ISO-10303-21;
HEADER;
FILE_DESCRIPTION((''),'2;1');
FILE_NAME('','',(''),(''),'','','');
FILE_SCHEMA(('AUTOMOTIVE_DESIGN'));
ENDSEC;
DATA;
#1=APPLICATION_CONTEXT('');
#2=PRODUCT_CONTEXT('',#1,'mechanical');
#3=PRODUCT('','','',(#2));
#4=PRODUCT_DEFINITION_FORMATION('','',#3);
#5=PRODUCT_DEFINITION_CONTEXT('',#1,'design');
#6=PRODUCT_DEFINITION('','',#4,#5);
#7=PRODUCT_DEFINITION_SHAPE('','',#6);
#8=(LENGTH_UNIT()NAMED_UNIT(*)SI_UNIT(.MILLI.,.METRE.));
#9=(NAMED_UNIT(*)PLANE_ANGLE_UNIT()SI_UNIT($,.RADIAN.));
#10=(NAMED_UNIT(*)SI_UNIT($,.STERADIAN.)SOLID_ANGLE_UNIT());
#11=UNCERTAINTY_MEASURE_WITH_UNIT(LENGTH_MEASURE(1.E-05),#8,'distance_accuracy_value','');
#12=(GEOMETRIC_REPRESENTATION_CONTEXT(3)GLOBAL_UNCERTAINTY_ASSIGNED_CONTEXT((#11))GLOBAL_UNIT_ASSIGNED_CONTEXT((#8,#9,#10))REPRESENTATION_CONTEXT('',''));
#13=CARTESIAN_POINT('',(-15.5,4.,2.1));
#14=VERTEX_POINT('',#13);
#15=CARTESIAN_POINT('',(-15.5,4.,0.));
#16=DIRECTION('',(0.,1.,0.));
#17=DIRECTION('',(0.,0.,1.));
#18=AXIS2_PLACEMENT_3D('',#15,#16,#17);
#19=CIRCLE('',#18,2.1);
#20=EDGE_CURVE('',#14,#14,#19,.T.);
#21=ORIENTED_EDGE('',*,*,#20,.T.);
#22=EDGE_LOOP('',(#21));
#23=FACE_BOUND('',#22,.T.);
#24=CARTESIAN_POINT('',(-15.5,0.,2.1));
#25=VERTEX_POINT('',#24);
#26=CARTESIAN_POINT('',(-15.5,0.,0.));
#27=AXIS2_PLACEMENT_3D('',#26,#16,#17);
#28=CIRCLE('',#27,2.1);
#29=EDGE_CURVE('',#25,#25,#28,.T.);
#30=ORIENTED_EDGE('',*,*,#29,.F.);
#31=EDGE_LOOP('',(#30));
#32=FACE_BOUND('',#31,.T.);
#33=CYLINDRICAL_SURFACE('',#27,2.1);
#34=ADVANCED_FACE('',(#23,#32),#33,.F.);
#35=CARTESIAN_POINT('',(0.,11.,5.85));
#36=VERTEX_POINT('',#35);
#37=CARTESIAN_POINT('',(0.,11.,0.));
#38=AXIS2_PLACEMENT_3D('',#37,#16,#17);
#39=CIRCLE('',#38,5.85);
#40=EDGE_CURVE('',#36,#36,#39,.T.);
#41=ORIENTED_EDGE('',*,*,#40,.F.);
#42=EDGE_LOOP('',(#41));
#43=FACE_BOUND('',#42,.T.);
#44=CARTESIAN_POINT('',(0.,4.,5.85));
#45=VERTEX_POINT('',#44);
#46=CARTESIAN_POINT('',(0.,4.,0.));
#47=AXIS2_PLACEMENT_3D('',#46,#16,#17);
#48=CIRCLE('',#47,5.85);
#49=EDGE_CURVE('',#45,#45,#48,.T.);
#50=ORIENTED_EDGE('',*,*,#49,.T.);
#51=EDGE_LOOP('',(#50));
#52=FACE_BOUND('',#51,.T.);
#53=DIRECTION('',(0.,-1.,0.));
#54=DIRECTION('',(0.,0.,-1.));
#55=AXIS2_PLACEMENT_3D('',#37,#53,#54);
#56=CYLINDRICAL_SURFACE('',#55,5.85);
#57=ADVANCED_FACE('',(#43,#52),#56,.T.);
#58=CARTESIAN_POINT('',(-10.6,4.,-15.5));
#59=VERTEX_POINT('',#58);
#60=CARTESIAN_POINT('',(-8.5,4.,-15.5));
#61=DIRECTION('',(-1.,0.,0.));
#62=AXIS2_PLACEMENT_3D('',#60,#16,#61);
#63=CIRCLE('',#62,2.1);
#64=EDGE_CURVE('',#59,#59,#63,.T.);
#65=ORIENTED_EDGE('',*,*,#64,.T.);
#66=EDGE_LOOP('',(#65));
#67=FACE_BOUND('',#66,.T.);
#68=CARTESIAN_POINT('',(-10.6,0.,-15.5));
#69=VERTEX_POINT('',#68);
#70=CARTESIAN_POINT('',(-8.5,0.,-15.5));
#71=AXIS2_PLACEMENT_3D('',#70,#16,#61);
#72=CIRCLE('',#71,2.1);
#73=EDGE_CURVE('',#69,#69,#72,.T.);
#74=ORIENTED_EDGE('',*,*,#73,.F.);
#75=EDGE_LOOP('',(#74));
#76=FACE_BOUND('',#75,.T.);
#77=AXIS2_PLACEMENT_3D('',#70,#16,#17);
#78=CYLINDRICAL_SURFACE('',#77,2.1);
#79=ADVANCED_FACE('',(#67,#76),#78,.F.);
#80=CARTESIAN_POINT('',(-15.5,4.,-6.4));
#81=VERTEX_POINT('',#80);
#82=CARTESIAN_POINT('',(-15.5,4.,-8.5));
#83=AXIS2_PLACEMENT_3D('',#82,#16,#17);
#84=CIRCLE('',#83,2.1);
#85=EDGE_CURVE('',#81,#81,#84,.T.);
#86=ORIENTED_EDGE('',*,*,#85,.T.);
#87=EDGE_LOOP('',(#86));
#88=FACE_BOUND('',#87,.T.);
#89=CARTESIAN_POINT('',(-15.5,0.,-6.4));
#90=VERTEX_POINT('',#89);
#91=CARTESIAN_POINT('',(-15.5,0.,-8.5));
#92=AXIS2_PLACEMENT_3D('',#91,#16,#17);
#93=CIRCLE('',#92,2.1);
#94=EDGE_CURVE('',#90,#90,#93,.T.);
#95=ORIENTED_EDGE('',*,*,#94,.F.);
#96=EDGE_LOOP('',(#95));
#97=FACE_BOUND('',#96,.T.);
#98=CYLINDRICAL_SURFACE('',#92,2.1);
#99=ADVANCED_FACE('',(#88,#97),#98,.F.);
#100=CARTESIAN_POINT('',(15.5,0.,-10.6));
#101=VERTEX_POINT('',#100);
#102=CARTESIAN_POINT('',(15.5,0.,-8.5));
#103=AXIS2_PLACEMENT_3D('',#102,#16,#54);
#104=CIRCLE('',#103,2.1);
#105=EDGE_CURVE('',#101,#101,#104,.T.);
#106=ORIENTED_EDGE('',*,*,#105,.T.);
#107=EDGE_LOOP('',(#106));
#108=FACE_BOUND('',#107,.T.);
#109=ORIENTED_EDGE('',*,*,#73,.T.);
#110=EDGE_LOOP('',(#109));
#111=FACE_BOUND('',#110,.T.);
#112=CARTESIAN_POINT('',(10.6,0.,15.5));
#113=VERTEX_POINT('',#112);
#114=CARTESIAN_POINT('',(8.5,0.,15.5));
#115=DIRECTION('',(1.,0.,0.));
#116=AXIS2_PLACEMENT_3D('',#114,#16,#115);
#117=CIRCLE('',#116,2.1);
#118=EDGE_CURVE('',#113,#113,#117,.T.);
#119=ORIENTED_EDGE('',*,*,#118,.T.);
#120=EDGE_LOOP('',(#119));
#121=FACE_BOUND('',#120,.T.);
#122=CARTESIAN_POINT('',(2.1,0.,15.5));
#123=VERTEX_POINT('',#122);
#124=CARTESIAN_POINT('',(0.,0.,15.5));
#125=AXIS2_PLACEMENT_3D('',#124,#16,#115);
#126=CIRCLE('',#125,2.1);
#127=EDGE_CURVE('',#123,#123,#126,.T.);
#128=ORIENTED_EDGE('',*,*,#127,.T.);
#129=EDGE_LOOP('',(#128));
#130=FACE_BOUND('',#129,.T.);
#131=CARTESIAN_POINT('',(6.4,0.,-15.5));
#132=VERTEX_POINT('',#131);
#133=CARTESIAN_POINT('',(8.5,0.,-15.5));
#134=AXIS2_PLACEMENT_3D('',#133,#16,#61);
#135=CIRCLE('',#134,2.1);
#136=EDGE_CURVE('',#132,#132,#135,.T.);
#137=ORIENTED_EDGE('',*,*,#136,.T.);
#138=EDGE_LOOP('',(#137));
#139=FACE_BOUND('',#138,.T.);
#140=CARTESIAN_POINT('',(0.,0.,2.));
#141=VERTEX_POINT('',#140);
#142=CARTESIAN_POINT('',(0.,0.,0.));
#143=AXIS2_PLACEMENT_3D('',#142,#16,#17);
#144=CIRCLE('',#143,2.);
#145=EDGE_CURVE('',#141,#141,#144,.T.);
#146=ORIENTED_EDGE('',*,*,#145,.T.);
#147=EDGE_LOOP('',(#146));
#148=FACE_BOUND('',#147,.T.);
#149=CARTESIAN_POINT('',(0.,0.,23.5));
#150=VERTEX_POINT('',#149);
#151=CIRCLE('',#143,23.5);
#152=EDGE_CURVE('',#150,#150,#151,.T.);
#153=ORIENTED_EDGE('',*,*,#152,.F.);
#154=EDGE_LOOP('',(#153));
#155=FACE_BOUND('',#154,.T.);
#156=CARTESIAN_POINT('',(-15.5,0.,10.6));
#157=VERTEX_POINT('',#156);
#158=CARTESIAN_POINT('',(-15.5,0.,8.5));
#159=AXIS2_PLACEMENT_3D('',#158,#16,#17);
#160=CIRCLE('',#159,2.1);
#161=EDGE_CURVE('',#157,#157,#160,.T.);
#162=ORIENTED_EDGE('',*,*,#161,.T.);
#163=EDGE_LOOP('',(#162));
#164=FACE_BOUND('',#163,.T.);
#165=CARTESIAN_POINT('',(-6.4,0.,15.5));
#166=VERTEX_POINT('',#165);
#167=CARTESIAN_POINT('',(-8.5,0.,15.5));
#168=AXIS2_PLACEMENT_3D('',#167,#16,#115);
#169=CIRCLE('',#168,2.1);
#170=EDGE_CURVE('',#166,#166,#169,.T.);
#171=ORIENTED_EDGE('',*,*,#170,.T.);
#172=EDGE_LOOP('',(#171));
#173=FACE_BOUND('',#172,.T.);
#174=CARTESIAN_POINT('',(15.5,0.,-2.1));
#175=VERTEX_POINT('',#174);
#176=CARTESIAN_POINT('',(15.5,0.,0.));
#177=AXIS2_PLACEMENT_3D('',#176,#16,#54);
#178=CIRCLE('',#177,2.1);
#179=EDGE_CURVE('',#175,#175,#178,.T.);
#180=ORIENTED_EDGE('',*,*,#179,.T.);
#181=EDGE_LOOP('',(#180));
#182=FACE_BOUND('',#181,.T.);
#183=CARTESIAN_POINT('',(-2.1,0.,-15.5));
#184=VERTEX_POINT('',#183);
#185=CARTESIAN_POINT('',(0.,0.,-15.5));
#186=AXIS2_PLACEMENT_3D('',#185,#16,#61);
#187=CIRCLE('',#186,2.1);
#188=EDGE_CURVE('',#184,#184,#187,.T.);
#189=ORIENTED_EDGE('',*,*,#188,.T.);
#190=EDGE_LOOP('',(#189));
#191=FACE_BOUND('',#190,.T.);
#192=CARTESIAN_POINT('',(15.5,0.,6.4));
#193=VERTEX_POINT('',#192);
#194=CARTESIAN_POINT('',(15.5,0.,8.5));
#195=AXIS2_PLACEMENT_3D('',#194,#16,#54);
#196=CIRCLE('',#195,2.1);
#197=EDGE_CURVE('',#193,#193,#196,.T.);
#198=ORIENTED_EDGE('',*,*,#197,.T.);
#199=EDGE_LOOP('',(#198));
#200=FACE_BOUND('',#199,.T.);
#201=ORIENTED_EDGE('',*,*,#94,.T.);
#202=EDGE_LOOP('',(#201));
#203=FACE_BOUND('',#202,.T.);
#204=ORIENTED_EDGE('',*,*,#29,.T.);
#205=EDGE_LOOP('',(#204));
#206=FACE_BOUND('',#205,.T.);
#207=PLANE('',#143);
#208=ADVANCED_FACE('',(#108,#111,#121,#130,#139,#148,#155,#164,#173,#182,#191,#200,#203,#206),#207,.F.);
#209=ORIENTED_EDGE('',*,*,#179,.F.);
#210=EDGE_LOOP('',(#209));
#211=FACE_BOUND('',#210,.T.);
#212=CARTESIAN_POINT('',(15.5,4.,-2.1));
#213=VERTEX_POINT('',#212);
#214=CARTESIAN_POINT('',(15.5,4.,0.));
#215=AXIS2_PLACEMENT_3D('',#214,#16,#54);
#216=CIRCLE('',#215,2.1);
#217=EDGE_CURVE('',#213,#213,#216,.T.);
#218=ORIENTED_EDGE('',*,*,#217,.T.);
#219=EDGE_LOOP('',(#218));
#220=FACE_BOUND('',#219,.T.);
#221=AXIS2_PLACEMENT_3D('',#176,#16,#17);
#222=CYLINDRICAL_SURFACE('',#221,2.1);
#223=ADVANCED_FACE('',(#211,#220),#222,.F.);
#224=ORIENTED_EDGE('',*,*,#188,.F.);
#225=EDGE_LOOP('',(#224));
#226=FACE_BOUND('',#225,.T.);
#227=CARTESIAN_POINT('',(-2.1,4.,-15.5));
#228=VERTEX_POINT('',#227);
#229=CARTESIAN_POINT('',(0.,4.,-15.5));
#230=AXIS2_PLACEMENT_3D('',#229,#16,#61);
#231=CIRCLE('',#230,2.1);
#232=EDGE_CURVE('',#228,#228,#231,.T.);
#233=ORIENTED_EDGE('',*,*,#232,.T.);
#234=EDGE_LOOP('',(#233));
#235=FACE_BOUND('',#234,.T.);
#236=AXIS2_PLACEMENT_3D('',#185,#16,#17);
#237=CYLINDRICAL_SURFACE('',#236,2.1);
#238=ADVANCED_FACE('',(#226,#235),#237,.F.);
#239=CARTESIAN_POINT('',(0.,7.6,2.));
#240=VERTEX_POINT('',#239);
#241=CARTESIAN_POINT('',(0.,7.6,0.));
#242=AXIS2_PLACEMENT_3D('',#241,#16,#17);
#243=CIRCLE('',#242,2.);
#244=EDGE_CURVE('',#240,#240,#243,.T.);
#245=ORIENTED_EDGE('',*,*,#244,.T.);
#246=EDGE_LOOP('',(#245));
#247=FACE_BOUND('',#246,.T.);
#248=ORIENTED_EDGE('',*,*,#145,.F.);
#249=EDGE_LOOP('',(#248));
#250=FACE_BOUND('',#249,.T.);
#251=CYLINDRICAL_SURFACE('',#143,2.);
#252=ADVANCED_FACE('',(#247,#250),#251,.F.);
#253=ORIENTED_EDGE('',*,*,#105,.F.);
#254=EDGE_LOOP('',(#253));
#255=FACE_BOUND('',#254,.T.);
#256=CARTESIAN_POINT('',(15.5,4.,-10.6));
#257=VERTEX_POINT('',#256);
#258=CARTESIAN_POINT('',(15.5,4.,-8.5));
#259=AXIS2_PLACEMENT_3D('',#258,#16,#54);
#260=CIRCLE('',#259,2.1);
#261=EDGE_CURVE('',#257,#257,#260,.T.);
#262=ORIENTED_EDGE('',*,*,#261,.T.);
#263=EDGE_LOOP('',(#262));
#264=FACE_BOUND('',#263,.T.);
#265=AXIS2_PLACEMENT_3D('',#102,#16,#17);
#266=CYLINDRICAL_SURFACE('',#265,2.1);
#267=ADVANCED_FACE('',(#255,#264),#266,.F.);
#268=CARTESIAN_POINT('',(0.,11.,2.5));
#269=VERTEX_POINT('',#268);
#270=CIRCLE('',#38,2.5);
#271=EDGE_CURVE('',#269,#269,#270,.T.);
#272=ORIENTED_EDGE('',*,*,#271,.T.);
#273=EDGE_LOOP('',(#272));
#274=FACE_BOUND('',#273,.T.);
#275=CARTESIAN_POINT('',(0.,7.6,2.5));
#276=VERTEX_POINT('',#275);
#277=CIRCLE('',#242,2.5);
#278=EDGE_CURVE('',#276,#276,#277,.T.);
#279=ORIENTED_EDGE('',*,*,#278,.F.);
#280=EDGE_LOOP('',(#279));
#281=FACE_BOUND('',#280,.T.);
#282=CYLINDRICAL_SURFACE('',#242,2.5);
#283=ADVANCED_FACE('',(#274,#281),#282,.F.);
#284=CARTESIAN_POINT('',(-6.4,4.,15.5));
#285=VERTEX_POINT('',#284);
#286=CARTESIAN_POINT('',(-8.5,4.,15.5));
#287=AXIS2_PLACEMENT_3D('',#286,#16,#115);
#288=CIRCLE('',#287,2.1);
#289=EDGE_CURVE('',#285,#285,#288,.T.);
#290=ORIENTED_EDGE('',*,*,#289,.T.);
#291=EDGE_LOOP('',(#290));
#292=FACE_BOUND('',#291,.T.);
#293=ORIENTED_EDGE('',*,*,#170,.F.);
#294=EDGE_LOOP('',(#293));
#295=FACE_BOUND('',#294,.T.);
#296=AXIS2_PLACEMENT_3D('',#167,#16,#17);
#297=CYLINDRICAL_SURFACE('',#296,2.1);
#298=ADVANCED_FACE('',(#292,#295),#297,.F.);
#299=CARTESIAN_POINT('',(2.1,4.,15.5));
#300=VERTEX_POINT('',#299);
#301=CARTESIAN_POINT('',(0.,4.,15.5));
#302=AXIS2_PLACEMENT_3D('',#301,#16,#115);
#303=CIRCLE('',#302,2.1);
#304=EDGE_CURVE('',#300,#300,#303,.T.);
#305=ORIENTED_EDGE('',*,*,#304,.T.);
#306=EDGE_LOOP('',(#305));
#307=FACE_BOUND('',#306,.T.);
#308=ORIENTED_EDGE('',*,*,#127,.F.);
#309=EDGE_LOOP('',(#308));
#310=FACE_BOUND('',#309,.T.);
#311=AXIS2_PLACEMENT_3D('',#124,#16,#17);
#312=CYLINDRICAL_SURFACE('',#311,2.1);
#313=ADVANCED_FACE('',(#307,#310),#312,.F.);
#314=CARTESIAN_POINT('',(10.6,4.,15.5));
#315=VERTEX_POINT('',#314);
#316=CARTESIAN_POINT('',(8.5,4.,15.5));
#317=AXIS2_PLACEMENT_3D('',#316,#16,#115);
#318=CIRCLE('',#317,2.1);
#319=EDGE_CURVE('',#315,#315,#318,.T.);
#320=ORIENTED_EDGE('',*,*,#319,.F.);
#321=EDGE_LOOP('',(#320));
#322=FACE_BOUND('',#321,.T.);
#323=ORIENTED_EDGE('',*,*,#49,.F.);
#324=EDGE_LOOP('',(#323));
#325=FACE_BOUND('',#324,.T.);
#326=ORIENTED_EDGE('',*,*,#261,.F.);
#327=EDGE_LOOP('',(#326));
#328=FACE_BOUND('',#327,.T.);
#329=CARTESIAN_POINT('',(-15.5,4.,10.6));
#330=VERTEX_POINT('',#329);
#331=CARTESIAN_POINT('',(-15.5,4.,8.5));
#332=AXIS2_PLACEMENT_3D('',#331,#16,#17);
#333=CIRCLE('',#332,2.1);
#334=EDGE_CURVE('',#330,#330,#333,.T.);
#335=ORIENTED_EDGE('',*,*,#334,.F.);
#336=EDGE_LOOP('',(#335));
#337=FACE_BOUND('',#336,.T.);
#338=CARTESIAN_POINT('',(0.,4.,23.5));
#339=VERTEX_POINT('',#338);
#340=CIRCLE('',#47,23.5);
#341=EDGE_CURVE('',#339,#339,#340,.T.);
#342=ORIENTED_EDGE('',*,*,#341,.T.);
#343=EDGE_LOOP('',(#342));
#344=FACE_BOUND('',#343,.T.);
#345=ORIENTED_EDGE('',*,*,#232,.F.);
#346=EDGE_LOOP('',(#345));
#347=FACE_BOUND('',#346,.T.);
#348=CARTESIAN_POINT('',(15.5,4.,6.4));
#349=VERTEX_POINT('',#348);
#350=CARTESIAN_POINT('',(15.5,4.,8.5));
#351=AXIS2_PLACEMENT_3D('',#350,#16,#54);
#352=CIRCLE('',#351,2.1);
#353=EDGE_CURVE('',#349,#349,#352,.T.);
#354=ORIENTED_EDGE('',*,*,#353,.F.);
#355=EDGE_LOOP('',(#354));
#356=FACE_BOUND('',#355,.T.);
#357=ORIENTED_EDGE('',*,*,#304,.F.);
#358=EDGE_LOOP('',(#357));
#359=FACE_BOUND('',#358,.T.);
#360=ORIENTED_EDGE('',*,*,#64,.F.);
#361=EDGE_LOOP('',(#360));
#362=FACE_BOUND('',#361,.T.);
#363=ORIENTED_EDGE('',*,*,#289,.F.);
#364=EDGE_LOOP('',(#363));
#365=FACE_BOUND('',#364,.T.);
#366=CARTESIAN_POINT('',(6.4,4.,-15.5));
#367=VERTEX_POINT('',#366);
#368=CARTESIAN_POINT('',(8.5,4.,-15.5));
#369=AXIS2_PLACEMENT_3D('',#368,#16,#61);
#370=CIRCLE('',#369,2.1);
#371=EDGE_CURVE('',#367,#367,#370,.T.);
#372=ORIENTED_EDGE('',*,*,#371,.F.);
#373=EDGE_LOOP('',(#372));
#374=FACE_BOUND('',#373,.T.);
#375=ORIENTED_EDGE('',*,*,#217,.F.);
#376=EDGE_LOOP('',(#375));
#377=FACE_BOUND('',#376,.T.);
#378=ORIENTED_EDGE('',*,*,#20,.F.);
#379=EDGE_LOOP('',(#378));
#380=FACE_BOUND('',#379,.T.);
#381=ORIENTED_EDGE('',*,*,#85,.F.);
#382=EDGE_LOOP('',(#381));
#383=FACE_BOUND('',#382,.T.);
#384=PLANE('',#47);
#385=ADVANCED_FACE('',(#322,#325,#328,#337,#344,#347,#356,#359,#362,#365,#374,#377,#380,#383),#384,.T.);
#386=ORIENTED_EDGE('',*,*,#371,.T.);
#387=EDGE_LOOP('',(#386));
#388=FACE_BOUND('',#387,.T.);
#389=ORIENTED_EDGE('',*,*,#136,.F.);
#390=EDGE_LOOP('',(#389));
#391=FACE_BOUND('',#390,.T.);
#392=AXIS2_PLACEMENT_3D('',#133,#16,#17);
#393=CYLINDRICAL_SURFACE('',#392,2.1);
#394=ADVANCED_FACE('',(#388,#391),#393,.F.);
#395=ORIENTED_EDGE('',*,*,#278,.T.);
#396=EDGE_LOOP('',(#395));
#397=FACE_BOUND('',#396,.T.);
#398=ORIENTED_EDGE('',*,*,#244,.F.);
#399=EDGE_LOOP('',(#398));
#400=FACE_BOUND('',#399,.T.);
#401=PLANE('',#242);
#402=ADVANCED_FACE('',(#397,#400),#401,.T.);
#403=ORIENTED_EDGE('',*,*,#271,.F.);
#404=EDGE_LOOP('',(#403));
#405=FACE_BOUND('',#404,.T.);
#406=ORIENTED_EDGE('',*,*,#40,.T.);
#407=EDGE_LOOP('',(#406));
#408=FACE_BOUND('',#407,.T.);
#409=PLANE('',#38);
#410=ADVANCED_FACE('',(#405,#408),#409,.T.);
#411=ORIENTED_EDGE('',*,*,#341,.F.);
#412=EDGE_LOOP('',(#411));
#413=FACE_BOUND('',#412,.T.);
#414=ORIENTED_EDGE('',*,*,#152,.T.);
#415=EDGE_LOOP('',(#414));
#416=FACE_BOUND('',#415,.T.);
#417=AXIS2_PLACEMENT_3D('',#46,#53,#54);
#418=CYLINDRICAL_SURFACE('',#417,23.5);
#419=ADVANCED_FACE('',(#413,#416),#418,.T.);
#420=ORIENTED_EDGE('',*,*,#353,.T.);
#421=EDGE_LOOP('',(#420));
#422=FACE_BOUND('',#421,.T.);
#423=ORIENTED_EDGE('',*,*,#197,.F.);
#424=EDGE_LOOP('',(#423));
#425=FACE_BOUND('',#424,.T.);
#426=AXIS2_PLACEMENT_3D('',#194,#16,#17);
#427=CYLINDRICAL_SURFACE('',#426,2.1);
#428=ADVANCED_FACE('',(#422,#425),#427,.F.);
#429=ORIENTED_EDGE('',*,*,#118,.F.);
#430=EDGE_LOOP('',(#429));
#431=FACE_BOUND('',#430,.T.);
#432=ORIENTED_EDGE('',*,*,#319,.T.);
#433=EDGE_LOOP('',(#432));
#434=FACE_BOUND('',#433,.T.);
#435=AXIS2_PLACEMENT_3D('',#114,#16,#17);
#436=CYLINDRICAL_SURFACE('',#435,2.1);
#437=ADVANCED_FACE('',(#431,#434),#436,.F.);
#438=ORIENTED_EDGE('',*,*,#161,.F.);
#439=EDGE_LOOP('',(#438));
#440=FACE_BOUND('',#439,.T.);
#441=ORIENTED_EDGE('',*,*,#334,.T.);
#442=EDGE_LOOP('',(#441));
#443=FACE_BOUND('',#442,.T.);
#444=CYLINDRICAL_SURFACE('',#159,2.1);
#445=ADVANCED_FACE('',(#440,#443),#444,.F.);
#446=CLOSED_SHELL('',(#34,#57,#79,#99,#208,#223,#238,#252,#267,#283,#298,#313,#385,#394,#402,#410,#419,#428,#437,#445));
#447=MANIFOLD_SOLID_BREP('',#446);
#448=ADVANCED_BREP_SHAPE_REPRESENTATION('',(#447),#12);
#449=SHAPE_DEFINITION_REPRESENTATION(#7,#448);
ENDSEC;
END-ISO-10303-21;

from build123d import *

# Parameters (mm, degrees)
SKETCH_1_R               = 23.5
EXTRUDE_1_DEPTH          = 4
SKETCH_2_R               = 5.85
EXTRUDE_2_DEPTH          = 7
SKETCH_3_R               = 2.5
CUT_EXTRUDE_1_DEPTH      = 3.4
SKETCH_4_R               = 2.1
CUT_EXTRUDE_2_DEPTH      = 5
PATTERN_CIRCULAR_1_COUNT = 4
SKETCH_5_R               = 2
CUT_EXTRUDE_3_DEPTH      = 8.6


with BuildPart() as part:
    # 草圖1 → 填料-伸長1 (new body)
    with BuildSketch(Plane(origin=(0, 0, 0), x_dir=(1, 0, 0), z_dir=(0, 1, 0))):
        Circle(SKETCH_1_R)
    extrude(amount=EXTRUDE_1_DEPTH)

    # 草圖2 → 填料-伸長2 (add)
    with BuildSketch(Plane(origin=(0, 4, 0), x_dir=(1, 0, 0), z_dir=(0, 1, 0))):
        Circle(SKETCH_2_R)
    extrude(amount=EXTRUDE_2_DEPTH)

    # 草圖3 → 除料-伸長1 (cut)
    with BuildSketch(Plane(origin=(0, 11, 0), x_dir=(1, 0, 0), z_dir=(0, 1, 0))):
        Circle(SKETCH_3_R)
    extrude(amount=-CUT_EXTRUDE_1_DEPTH, mode=Mode.SUBTRACT)

    # 草圖4 → 除料-伸長2 (cut, through all)
    with BuildSketch(Plane(origin=(0, 4, 0), x_dir=(1, 0, 0), z_dir=(0, 1, 0))):
        with Locations((-15.5, 0)):
            Circle(SKETCH_4_R)
        with Locations((-15.5, 8.5)):
            Circle(SKETCH_4_R)
        with Locations((-15.5, -8.5)):
            Circle(SKETCH_4_R)
    cut_extrude_2 = extrude(amount=-CUT_EXTRUDE_2_DEPTH, mode=Mode.SUBTRACT)

    # 環狀複製排列1: 除料-伸長2 ×4 about axis
    pattern_circular_1_axis = Axis((0, 0, 0), (0, 1, 0))
    for i in range(1, PATTERN_CIRCULAR_1_COUNT):
        add(cut_extrude_2.rotate(pattern_circular_1_axis, i * 360 / PATTERN_CIRCULAR_1_COUNT), mode=Mode.SUBTRACT)

    # 草圖5 → 除料-伸長3 (cut, through all)
    with BuildSketch(Plane(origin=(0, 7.6, 0), x_dir=(1, 0, 0), z_dir=(0, 1, 0))):
        Circle(SKETCH_5_R)
    extrude(amount=-CUT_EXTRUDE_3_DEPTH, mode=Mode.SUBTRACT)


solid = part.part
